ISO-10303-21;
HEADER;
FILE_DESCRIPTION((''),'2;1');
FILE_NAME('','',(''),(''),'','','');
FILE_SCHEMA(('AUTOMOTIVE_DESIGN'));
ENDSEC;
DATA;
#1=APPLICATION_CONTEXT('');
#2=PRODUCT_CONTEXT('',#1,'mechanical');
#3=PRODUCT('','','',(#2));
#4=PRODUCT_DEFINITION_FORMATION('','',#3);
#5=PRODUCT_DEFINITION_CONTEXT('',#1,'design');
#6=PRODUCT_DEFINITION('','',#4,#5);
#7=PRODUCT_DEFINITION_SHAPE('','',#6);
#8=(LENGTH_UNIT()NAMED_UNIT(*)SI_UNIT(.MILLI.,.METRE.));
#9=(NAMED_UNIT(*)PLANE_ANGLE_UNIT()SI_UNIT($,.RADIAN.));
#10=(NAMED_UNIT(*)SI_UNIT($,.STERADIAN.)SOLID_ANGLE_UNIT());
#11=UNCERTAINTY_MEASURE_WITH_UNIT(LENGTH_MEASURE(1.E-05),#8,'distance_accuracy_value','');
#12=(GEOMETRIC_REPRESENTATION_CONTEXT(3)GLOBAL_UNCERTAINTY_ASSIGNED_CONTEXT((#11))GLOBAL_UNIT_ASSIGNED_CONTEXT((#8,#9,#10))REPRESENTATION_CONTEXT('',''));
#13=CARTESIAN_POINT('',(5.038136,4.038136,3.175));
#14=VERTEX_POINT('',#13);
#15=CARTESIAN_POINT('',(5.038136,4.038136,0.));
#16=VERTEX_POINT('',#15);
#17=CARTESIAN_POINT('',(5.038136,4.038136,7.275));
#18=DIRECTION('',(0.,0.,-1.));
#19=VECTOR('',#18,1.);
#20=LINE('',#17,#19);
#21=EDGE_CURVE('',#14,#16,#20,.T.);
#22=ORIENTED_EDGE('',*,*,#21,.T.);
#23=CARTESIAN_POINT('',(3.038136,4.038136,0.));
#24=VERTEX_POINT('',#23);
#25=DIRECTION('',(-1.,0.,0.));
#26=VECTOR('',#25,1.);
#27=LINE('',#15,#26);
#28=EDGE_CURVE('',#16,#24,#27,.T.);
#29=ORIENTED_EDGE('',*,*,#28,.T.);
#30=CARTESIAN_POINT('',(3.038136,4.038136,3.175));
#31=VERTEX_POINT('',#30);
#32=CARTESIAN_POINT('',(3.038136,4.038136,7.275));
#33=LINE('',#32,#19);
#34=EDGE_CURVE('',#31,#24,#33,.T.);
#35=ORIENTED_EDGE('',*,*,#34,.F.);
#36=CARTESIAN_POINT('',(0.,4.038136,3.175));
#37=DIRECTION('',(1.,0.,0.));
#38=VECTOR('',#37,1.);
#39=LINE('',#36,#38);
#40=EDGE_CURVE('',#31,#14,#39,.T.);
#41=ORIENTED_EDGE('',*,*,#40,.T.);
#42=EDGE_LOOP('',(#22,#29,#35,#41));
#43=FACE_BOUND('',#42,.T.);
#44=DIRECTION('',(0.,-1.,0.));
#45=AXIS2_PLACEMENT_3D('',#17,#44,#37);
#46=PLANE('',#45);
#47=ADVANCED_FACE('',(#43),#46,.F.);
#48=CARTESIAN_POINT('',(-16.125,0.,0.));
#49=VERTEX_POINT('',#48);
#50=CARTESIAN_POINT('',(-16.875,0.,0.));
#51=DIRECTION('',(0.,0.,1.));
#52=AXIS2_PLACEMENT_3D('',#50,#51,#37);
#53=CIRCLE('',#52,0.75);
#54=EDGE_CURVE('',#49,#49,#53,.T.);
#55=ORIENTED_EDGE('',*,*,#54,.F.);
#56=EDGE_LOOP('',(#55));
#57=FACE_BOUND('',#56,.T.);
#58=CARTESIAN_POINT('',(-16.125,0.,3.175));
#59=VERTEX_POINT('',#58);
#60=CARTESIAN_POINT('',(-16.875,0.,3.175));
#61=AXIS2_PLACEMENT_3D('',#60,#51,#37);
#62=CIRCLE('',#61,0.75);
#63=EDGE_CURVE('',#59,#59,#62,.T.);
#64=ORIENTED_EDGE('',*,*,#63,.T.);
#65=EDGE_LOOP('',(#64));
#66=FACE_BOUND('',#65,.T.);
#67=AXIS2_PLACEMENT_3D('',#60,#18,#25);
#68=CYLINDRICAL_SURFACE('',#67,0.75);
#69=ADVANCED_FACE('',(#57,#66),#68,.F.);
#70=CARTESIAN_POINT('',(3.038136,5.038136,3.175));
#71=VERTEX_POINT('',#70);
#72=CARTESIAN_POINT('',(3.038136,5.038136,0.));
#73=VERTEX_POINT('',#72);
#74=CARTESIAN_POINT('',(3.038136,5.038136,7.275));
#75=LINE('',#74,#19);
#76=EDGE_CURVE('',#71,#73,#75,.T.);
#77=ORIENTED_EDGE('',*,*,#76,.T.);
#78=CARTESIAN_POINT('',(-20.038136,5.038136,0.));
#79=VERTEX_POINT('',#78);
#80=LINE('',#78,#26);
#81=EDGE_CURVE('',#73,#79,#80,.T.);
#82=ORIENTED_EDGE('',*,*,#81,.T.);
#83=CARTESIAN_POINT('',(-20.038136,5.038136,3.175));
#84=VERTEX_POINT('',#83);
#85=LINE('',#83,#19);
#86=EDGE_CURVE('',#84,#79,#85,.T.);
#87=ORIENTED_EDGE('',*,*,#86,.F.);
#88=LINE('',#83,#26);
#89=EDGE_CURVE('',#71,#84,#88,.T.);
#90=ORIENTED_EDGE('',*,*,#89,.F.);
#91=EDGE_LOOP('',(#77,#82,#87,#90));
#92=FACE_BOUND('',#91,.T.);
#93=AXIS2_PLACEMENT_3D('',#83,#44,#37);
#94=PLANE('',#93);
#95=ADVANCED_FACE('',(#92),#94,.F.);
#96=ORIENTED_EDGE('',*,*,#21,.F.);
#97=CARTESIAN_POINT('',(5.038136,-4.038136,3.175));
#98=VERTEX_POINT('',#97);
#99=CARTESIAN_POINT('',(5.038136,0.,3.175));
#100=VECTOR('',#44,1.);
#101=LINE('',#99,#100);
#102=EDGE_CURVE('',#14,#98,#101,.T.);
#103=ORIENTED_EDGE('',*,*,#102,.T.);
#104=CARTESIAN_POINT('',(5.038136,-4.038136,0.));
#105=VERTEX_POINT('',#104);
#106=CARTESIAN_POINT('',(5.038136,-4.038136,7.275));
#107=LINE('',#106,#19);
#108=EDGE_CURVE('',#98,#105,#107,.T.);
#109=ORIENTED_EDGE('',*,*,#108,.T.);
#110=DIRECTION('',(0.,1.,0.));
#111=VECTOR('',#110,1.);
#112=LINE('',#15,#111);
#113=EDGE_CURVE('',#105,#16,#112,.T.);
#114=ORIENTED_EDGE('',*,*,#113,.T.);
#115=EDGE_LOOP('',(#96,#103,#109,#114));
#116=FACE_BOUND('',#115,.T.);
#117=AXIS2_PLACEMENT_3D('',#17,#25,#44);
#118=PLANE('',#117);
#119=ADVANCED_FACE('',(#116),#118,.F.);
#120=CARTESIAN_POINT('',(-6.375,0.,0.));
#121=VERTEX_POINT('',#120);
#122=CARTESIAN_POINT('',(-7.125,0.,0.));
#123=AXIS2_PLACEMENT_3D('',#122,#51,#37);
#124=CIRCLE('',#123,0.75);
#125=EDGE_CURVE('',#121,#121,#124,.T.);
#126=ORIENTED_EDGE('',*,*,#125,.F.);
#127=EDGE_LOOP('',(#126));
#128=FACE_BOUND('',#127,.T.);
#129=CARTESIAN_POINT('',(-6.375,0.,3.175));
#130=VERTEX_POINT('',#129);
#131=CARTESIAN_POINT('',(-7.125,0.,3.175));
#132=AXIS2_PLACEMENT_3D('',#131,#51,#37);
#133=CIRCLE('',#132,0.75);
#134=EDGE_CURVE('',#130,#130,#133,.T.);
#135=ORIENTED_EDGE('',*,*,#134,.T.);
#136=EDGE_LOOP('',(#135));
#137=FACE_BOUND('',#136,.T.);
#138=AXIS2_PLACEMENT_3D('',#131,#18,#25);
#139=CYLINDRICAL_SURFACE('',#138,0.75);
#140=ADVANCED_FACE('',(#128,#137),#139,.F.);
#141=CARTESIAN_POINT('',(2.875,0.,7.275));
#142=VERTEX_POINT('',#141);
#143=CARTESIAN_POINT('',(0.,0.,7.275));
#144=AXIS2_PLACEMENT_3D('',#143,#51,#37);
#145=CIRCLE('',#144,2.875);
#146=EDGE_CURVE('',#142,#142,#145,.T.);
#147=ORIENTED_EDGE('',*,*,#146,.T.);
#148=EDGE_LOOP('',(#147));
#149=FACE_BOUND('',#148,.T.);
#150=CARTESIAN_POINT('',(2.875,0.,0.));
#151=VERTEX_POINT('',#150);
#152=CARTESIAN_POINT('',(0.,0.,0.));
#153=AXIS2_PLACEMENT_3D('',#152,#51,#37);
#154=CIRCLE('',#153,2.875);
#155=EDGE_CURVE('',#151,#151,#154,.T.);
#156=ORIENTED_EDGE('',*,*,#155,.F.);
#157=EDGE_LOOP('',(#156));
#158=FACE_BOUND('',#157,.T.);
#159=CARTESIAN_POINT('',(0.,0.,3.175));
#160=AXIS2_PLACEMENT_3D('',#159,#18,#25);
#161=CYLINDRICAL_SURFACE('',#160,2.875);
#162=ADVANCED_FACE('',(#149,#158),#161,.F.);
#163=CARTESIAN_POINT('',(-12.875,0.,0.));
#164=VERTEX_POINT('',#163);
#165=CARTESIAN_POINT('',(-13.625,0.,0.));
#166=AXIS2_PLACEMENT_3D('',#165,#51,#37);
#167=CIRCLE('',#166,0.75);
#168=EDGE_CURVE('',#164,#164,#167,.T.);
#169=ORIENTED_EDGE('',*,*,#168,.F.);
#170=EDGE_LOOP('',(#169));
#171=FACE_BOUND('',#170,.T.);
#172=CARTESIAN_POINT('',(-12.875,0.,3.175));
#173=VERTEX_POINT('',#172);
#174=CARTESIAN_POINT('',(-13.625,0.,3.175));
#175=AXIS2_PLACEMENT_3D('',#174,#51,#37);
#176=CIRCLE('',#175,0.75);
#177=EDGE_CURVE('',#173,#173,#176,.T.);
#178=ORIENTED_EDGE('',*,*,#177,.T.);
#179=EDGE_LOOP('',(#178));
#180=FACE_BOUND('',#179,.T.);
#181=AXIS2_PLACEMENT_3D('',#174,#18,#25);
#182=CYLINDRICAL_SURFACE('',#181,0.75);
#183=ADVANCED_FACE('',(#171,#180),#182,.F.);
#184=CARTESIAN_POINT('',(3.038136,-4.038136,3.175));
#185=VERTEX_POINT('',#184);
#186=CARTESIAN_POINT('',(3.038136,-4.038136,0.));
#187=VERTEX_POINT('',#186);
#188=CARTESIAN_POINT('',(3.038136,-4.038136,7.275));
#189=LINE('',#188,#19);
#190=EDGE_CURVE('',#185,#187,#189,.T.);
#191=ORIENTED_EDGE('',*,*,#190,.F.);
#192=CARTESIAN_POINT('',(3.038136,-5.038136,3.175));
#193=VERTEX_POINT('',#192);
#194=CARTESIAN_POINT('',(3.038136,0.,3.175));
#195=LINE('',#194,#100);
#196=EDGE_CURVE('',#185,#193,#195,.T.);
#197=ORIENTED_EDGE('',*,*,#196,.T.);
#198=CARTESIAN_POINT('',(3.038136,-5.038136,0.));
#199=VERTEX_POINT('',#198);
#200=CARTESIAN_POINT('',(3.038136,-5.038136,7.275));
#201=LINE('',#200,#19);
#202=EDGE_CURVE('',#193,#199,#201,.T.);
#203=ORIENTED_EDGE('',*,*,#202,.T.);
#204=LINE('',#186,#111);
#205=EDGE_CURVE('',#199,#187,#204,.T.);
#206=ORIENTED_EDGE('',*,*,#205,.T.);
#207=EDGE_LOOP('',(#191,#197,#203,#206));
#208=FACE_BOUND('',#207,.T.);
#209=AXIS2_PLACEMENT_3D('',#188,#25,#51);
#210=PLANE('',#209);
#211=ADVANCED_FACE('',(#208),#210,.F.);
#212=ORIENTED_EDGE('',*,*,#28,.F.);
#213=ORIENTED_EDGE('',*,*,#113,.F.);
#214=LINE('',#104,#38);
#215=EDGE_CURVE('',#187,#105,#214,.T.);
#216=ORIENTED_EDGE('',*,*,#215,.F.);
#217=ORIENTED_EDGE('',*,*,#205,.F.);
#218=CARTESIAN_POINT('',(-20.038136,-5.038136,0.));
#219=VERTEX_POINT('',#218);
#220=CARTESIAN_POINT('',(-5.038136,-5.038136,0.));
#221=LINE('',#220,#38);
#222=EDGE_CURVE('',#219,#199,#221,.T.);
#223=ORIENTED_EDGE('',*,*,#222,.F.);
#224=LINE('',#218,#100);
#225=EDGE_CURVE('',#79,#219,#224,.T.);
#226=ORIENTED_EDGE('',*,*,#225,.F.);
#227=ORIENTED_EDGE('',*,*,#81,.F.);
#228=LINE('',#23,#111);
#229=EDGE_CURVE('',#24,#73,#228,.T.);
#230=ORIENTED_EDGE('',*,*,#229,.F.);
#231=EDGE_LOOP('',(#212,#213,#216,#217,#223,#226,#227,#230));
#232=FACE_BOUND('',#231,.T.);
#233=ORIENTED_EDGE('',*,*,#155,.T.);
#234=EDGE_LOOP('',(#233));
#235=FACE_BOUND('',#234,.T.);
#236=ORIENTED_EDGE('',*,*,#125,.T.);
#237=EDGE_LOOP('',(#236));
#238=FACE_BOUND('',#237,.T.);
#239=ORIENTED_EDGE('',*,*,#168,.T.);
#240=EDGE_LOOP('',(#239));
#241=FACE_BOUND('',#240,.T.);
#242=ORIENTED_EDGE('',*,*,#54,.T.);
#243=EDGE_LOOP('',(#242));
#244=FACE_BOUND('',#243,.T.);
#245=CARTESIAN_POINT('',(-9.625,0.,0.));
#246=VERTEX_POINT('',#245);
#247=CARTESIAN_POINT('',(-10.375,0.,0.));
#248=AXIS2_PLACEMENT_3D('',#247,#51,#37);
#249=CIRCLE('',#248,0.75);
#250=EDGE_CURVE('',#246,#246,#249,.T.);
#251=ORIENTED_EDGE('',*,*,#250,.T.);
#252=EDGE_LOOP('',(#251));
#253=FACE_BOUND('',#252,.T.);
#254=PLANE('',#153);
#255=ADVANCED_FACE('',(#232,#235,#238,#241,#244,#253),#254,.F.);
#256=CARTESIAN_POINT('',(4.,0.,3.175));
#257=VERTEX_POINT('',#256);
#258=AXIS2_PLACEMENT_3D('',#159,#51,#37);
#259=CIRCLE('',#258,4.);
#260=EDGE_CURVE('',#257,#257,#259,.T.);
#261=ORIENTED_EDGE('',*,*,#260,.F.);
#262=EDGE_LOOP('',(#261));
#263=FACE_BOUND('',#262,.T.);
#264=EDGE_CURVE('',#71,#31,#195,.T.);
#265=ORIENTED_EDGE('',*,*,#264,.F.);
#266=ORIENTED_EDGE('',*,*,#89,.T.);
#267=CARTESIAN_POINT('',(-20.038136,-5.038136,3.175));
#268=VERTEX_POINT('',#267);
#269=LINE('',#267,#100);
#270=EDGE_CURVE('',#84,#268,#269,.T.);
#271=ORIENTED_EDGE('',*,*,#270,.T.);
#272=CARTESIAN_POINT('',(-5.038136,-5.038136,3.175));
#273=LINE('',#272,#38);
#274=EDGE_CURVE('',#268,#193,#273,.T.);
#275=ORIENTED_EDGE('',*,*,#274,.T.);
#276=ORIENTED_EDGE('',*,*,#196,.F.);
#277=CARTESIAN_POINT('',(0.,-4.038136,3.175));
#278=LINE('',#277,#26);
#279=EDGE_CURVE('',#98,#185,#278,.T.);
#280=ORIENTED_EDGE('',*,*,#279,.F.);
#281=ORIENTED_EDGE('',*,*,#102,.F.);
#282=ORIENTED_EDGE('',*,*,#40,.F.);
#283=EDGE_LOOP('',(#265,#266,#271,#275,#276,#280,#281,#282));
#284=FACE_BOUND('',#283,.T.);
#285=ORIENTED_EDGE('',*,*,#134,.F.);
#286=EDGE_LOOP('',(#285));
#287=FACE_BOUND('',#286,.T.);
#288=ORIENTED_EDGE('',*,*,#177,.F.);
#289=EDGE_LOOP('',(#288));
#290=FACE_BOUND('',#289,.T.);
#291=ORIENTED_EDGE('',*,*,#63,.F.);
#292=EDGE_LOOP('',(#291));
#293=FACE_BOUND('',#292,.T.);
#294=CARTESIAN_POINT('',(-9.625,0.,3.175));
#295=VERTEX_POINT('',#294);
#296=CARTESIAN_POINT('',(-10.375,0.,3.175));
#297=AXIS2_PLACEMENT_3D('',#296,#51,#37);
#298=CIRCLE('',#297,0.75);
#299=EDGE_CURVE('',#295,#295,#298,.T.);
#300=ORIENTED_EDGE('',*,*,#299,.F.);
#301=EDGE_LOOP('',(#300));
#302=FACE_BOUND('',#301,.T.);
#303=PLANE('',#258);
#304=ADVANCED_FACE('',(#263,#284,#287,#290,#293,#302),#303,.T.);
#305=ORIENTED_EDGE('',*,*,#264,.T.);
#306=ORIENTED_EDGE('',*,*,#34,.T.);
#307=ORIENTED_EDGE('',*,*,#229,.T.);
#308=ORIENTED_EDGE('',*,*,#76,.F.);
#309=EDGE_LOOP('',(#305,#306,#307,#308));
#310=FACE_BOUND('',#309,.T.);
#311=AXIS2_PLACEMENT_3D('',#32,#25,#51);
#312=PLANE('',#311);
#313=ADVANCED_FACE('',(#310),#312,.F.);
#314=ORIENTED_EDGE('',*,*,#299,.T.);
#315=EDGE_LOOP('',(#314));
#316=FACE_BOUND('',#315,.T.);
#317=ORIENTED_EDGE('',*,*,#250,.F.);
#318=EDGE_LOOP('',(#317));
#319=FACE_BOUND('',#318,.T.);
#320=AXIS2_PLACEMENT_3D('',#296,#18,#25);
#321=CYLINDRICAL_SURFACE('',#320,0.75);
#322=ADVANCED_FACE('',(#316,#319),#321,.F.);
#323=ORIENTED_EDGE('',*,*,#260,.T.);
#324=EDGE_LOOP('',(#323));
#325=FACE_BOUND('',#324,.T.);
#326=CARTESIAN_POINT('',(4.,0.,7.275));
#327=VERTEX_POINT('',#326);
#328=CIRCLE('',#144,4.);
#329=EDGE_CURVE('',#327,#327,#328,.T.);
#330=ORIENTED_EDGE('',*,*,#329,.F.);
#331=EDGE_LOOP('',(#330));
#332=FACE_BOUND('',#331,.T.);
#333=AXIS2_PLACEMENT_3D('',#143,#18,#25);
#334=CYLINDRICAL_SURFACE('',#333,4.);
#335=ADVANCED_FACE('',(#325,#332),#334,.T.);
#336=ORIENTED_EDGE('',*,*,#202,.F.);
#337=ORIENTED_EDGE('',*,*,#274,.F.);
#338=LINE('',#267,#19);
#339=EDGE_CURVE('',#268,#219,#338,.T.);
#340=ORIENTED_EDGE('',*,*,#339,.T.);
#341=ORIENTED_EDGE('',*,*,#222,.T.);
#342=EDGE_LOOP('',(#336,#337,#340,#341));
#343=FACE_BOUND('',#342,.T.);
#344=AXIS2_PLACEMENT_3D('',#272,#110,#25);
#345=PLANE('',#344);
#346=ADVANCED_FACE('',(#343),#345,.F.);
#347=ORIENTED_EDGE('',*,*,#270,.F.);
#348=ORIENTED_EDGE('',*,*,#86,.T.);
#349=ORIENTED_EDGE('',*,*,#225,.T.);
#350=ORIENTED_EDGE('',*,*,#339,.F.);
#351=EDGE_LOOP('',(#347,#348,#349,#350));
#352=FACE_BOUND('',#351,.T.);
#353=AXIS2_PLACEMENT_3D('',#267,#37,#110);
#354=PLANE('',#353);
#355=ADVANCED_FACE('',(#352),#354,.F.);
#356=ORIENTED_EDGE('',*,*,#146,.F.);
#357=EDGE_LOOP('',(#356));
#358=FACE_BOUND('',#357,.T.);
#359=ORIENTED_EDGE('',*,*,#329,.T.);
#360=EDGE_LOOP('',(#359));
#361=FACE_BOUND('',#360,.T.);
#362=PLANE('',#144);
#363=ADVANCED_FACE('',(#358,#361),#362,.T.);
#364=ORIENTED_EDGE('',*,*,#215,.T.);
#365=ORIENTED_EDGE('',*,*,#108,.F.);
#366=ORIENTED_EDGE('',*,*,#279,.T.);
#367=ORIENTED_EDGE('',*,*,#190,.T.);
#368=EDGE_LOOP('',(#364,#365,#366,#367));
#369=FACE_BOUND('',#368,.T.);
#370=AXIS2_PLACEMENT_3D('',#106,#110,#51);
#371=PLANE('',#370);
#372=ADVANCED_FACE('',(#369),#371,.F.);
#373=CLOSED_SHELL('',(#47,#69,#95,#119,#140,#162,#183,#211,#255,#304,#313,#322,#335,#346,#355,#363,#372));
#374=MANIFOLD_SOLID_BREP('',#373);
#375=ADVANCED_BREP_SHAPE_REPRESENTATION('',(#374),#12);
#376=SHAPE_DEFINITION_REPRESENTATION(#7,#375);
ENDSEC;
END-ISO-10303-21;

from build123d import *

# Parameters (mm, degrees)
SKETCH1_R           = 2.875
SKETCH1_R_2         = 0.75
BOSS_EXTRUDE1_DEPTH = 3.175
SKETCH2_R           = 4
SKETCH2_R_2         = 2.875
BOSS_EXTRUDE2_DEPTH = 4.1
CUT_EXTRUDE1_DEPTH  = 30.25712561


with BuildPart() as part:
    # Sketch1 → Boss-Extrude1 (new body)
    with BuildSketch(Plane.XY):
        Polygon((-5.038135816, 5.038135816), (-5.038135816, 20.038135816), (5.038135816, 20.038135816), (5.038135816, 5.038135816), (20.038135816, 5.038135816), (20.038135816, -5.038135816), (5.038135816, -5.038135816), (5.038135816, -20.038135816), (-5.038135816, -20.038135816), (-5.038135816, -5.038135816), (-20.038135816, -5.038135816), (-20.038135816, 5.038135816), align=None)
        Circle(SKETCH1_R, mode=Mode.SUBTRACT)
        with Locations((0, 7.125)):
            Circle(SKETCH1_R_2, mode=Mode.SUBTRACT)
        with Locations((0, 10.375)):
            Circle(SKETCH1_R_2, mode=Mode.SUBTRACT)
        with Locations((0, 13.625)):
            Circle(SKETCH1_R_2, mode=Mode.SUBTRACT)
        with Locations((0, 16.875)):
            Circle(SKETCH1_R_2, mode=Mode.SUBTRACT)
        with Locations((7.125, 0)):
            Circle(SKETCH1_R_2, mode=Mode.SUBTRACT)
        with Locations((10.375, 0)):
            Circle(SKETCH1_R_2, mode=Mode.SUBTRACT)
        with Locations((13.625, 0)):
            Circle(SKETCH1_R_2, mode=Mode.SUBTRACT)
        with Locations((16.875, 0)):
            Circle(SKETCH1_R_2, mode=Mode.SUBTRACT)
        with Locations((0, -7.125)):
            Circle(SKETCH1_R_2, mode=Mode.SUBTRACT)
        with Locations((0, -10.375)):
            Circle(SKETCH1_R_2, mode=Mode.SUBTRACT)
        with Locations((0, -13.625)):
            Circle(SKETCH1_R_2, mode=Mode.SUBTRACT)
        with Locations((0, -16.875)):
            Circle(SKETCH1_R_2, mode=Mode.SUBTRACT)
        with Locations((-7.125, 0)):
            Circle(SKETCH1_R_2, mode=Mode.SUBTRACT)
        with Locations((-10.375, 0)):
            Circle(SKETCH1_R_2, mode=Mode.SUBTRACT)
        with Locations((-13.625, 0)):
            Circle(SKETCH1_R_2, mode=Mode.SUBTRACT)
        with Locations((-16.875, 0)):
            Circle(SKETCH1_R_2, mode=Mode.SUBTRACT)
    extrude(amount=BOSS_EXTRUDE1_DEPTH)

    # Sketch2 → Boss-Extrude2 (add)
    with BuildSketch(Plane.XY.offset(3.175)):
        Circle(SKETCH2_R)
        Circle(SKETCH2_R_2, mode=Mode.SUBTRACT)
    extrude(amount=BOSS_EXTRUDE2_DEPTH)

    # Sketch3 → Cut-Extrude1 (cut, through all)
    with BuildSketch(Plane(origin=(0, 0, 0), x_dir=(-1, 0, 0), z_dir=(0, 0, -1))):
        Polygon((-5.038135798, 4.038135816), (-5.038135798, -4.038135816), (-3.038135798, -4.038135816), (-3.038135798, -5.038135816), (5.038135816, -5.038135816), (5.038135816, -21.038135816), (-5.038135816, -21.038135816), (-5.038135816, -5.038135816), (-21.038135816, -5.038135816), (-21.038135816, 5.038135816), (-5.038135816, 5.038135816), (-5.038135816, 21.038135816), (5.038135816, 21.038135816), (5.038135816, 5.038135816), (-3.038135798, 5.038135816), (-3.038135798, 4.038135816), align=None)
    extrude(amount=-CUT_EXTRUDE1_DEPTH, mode=Mode.SUBTRACT)


solid = part.part
